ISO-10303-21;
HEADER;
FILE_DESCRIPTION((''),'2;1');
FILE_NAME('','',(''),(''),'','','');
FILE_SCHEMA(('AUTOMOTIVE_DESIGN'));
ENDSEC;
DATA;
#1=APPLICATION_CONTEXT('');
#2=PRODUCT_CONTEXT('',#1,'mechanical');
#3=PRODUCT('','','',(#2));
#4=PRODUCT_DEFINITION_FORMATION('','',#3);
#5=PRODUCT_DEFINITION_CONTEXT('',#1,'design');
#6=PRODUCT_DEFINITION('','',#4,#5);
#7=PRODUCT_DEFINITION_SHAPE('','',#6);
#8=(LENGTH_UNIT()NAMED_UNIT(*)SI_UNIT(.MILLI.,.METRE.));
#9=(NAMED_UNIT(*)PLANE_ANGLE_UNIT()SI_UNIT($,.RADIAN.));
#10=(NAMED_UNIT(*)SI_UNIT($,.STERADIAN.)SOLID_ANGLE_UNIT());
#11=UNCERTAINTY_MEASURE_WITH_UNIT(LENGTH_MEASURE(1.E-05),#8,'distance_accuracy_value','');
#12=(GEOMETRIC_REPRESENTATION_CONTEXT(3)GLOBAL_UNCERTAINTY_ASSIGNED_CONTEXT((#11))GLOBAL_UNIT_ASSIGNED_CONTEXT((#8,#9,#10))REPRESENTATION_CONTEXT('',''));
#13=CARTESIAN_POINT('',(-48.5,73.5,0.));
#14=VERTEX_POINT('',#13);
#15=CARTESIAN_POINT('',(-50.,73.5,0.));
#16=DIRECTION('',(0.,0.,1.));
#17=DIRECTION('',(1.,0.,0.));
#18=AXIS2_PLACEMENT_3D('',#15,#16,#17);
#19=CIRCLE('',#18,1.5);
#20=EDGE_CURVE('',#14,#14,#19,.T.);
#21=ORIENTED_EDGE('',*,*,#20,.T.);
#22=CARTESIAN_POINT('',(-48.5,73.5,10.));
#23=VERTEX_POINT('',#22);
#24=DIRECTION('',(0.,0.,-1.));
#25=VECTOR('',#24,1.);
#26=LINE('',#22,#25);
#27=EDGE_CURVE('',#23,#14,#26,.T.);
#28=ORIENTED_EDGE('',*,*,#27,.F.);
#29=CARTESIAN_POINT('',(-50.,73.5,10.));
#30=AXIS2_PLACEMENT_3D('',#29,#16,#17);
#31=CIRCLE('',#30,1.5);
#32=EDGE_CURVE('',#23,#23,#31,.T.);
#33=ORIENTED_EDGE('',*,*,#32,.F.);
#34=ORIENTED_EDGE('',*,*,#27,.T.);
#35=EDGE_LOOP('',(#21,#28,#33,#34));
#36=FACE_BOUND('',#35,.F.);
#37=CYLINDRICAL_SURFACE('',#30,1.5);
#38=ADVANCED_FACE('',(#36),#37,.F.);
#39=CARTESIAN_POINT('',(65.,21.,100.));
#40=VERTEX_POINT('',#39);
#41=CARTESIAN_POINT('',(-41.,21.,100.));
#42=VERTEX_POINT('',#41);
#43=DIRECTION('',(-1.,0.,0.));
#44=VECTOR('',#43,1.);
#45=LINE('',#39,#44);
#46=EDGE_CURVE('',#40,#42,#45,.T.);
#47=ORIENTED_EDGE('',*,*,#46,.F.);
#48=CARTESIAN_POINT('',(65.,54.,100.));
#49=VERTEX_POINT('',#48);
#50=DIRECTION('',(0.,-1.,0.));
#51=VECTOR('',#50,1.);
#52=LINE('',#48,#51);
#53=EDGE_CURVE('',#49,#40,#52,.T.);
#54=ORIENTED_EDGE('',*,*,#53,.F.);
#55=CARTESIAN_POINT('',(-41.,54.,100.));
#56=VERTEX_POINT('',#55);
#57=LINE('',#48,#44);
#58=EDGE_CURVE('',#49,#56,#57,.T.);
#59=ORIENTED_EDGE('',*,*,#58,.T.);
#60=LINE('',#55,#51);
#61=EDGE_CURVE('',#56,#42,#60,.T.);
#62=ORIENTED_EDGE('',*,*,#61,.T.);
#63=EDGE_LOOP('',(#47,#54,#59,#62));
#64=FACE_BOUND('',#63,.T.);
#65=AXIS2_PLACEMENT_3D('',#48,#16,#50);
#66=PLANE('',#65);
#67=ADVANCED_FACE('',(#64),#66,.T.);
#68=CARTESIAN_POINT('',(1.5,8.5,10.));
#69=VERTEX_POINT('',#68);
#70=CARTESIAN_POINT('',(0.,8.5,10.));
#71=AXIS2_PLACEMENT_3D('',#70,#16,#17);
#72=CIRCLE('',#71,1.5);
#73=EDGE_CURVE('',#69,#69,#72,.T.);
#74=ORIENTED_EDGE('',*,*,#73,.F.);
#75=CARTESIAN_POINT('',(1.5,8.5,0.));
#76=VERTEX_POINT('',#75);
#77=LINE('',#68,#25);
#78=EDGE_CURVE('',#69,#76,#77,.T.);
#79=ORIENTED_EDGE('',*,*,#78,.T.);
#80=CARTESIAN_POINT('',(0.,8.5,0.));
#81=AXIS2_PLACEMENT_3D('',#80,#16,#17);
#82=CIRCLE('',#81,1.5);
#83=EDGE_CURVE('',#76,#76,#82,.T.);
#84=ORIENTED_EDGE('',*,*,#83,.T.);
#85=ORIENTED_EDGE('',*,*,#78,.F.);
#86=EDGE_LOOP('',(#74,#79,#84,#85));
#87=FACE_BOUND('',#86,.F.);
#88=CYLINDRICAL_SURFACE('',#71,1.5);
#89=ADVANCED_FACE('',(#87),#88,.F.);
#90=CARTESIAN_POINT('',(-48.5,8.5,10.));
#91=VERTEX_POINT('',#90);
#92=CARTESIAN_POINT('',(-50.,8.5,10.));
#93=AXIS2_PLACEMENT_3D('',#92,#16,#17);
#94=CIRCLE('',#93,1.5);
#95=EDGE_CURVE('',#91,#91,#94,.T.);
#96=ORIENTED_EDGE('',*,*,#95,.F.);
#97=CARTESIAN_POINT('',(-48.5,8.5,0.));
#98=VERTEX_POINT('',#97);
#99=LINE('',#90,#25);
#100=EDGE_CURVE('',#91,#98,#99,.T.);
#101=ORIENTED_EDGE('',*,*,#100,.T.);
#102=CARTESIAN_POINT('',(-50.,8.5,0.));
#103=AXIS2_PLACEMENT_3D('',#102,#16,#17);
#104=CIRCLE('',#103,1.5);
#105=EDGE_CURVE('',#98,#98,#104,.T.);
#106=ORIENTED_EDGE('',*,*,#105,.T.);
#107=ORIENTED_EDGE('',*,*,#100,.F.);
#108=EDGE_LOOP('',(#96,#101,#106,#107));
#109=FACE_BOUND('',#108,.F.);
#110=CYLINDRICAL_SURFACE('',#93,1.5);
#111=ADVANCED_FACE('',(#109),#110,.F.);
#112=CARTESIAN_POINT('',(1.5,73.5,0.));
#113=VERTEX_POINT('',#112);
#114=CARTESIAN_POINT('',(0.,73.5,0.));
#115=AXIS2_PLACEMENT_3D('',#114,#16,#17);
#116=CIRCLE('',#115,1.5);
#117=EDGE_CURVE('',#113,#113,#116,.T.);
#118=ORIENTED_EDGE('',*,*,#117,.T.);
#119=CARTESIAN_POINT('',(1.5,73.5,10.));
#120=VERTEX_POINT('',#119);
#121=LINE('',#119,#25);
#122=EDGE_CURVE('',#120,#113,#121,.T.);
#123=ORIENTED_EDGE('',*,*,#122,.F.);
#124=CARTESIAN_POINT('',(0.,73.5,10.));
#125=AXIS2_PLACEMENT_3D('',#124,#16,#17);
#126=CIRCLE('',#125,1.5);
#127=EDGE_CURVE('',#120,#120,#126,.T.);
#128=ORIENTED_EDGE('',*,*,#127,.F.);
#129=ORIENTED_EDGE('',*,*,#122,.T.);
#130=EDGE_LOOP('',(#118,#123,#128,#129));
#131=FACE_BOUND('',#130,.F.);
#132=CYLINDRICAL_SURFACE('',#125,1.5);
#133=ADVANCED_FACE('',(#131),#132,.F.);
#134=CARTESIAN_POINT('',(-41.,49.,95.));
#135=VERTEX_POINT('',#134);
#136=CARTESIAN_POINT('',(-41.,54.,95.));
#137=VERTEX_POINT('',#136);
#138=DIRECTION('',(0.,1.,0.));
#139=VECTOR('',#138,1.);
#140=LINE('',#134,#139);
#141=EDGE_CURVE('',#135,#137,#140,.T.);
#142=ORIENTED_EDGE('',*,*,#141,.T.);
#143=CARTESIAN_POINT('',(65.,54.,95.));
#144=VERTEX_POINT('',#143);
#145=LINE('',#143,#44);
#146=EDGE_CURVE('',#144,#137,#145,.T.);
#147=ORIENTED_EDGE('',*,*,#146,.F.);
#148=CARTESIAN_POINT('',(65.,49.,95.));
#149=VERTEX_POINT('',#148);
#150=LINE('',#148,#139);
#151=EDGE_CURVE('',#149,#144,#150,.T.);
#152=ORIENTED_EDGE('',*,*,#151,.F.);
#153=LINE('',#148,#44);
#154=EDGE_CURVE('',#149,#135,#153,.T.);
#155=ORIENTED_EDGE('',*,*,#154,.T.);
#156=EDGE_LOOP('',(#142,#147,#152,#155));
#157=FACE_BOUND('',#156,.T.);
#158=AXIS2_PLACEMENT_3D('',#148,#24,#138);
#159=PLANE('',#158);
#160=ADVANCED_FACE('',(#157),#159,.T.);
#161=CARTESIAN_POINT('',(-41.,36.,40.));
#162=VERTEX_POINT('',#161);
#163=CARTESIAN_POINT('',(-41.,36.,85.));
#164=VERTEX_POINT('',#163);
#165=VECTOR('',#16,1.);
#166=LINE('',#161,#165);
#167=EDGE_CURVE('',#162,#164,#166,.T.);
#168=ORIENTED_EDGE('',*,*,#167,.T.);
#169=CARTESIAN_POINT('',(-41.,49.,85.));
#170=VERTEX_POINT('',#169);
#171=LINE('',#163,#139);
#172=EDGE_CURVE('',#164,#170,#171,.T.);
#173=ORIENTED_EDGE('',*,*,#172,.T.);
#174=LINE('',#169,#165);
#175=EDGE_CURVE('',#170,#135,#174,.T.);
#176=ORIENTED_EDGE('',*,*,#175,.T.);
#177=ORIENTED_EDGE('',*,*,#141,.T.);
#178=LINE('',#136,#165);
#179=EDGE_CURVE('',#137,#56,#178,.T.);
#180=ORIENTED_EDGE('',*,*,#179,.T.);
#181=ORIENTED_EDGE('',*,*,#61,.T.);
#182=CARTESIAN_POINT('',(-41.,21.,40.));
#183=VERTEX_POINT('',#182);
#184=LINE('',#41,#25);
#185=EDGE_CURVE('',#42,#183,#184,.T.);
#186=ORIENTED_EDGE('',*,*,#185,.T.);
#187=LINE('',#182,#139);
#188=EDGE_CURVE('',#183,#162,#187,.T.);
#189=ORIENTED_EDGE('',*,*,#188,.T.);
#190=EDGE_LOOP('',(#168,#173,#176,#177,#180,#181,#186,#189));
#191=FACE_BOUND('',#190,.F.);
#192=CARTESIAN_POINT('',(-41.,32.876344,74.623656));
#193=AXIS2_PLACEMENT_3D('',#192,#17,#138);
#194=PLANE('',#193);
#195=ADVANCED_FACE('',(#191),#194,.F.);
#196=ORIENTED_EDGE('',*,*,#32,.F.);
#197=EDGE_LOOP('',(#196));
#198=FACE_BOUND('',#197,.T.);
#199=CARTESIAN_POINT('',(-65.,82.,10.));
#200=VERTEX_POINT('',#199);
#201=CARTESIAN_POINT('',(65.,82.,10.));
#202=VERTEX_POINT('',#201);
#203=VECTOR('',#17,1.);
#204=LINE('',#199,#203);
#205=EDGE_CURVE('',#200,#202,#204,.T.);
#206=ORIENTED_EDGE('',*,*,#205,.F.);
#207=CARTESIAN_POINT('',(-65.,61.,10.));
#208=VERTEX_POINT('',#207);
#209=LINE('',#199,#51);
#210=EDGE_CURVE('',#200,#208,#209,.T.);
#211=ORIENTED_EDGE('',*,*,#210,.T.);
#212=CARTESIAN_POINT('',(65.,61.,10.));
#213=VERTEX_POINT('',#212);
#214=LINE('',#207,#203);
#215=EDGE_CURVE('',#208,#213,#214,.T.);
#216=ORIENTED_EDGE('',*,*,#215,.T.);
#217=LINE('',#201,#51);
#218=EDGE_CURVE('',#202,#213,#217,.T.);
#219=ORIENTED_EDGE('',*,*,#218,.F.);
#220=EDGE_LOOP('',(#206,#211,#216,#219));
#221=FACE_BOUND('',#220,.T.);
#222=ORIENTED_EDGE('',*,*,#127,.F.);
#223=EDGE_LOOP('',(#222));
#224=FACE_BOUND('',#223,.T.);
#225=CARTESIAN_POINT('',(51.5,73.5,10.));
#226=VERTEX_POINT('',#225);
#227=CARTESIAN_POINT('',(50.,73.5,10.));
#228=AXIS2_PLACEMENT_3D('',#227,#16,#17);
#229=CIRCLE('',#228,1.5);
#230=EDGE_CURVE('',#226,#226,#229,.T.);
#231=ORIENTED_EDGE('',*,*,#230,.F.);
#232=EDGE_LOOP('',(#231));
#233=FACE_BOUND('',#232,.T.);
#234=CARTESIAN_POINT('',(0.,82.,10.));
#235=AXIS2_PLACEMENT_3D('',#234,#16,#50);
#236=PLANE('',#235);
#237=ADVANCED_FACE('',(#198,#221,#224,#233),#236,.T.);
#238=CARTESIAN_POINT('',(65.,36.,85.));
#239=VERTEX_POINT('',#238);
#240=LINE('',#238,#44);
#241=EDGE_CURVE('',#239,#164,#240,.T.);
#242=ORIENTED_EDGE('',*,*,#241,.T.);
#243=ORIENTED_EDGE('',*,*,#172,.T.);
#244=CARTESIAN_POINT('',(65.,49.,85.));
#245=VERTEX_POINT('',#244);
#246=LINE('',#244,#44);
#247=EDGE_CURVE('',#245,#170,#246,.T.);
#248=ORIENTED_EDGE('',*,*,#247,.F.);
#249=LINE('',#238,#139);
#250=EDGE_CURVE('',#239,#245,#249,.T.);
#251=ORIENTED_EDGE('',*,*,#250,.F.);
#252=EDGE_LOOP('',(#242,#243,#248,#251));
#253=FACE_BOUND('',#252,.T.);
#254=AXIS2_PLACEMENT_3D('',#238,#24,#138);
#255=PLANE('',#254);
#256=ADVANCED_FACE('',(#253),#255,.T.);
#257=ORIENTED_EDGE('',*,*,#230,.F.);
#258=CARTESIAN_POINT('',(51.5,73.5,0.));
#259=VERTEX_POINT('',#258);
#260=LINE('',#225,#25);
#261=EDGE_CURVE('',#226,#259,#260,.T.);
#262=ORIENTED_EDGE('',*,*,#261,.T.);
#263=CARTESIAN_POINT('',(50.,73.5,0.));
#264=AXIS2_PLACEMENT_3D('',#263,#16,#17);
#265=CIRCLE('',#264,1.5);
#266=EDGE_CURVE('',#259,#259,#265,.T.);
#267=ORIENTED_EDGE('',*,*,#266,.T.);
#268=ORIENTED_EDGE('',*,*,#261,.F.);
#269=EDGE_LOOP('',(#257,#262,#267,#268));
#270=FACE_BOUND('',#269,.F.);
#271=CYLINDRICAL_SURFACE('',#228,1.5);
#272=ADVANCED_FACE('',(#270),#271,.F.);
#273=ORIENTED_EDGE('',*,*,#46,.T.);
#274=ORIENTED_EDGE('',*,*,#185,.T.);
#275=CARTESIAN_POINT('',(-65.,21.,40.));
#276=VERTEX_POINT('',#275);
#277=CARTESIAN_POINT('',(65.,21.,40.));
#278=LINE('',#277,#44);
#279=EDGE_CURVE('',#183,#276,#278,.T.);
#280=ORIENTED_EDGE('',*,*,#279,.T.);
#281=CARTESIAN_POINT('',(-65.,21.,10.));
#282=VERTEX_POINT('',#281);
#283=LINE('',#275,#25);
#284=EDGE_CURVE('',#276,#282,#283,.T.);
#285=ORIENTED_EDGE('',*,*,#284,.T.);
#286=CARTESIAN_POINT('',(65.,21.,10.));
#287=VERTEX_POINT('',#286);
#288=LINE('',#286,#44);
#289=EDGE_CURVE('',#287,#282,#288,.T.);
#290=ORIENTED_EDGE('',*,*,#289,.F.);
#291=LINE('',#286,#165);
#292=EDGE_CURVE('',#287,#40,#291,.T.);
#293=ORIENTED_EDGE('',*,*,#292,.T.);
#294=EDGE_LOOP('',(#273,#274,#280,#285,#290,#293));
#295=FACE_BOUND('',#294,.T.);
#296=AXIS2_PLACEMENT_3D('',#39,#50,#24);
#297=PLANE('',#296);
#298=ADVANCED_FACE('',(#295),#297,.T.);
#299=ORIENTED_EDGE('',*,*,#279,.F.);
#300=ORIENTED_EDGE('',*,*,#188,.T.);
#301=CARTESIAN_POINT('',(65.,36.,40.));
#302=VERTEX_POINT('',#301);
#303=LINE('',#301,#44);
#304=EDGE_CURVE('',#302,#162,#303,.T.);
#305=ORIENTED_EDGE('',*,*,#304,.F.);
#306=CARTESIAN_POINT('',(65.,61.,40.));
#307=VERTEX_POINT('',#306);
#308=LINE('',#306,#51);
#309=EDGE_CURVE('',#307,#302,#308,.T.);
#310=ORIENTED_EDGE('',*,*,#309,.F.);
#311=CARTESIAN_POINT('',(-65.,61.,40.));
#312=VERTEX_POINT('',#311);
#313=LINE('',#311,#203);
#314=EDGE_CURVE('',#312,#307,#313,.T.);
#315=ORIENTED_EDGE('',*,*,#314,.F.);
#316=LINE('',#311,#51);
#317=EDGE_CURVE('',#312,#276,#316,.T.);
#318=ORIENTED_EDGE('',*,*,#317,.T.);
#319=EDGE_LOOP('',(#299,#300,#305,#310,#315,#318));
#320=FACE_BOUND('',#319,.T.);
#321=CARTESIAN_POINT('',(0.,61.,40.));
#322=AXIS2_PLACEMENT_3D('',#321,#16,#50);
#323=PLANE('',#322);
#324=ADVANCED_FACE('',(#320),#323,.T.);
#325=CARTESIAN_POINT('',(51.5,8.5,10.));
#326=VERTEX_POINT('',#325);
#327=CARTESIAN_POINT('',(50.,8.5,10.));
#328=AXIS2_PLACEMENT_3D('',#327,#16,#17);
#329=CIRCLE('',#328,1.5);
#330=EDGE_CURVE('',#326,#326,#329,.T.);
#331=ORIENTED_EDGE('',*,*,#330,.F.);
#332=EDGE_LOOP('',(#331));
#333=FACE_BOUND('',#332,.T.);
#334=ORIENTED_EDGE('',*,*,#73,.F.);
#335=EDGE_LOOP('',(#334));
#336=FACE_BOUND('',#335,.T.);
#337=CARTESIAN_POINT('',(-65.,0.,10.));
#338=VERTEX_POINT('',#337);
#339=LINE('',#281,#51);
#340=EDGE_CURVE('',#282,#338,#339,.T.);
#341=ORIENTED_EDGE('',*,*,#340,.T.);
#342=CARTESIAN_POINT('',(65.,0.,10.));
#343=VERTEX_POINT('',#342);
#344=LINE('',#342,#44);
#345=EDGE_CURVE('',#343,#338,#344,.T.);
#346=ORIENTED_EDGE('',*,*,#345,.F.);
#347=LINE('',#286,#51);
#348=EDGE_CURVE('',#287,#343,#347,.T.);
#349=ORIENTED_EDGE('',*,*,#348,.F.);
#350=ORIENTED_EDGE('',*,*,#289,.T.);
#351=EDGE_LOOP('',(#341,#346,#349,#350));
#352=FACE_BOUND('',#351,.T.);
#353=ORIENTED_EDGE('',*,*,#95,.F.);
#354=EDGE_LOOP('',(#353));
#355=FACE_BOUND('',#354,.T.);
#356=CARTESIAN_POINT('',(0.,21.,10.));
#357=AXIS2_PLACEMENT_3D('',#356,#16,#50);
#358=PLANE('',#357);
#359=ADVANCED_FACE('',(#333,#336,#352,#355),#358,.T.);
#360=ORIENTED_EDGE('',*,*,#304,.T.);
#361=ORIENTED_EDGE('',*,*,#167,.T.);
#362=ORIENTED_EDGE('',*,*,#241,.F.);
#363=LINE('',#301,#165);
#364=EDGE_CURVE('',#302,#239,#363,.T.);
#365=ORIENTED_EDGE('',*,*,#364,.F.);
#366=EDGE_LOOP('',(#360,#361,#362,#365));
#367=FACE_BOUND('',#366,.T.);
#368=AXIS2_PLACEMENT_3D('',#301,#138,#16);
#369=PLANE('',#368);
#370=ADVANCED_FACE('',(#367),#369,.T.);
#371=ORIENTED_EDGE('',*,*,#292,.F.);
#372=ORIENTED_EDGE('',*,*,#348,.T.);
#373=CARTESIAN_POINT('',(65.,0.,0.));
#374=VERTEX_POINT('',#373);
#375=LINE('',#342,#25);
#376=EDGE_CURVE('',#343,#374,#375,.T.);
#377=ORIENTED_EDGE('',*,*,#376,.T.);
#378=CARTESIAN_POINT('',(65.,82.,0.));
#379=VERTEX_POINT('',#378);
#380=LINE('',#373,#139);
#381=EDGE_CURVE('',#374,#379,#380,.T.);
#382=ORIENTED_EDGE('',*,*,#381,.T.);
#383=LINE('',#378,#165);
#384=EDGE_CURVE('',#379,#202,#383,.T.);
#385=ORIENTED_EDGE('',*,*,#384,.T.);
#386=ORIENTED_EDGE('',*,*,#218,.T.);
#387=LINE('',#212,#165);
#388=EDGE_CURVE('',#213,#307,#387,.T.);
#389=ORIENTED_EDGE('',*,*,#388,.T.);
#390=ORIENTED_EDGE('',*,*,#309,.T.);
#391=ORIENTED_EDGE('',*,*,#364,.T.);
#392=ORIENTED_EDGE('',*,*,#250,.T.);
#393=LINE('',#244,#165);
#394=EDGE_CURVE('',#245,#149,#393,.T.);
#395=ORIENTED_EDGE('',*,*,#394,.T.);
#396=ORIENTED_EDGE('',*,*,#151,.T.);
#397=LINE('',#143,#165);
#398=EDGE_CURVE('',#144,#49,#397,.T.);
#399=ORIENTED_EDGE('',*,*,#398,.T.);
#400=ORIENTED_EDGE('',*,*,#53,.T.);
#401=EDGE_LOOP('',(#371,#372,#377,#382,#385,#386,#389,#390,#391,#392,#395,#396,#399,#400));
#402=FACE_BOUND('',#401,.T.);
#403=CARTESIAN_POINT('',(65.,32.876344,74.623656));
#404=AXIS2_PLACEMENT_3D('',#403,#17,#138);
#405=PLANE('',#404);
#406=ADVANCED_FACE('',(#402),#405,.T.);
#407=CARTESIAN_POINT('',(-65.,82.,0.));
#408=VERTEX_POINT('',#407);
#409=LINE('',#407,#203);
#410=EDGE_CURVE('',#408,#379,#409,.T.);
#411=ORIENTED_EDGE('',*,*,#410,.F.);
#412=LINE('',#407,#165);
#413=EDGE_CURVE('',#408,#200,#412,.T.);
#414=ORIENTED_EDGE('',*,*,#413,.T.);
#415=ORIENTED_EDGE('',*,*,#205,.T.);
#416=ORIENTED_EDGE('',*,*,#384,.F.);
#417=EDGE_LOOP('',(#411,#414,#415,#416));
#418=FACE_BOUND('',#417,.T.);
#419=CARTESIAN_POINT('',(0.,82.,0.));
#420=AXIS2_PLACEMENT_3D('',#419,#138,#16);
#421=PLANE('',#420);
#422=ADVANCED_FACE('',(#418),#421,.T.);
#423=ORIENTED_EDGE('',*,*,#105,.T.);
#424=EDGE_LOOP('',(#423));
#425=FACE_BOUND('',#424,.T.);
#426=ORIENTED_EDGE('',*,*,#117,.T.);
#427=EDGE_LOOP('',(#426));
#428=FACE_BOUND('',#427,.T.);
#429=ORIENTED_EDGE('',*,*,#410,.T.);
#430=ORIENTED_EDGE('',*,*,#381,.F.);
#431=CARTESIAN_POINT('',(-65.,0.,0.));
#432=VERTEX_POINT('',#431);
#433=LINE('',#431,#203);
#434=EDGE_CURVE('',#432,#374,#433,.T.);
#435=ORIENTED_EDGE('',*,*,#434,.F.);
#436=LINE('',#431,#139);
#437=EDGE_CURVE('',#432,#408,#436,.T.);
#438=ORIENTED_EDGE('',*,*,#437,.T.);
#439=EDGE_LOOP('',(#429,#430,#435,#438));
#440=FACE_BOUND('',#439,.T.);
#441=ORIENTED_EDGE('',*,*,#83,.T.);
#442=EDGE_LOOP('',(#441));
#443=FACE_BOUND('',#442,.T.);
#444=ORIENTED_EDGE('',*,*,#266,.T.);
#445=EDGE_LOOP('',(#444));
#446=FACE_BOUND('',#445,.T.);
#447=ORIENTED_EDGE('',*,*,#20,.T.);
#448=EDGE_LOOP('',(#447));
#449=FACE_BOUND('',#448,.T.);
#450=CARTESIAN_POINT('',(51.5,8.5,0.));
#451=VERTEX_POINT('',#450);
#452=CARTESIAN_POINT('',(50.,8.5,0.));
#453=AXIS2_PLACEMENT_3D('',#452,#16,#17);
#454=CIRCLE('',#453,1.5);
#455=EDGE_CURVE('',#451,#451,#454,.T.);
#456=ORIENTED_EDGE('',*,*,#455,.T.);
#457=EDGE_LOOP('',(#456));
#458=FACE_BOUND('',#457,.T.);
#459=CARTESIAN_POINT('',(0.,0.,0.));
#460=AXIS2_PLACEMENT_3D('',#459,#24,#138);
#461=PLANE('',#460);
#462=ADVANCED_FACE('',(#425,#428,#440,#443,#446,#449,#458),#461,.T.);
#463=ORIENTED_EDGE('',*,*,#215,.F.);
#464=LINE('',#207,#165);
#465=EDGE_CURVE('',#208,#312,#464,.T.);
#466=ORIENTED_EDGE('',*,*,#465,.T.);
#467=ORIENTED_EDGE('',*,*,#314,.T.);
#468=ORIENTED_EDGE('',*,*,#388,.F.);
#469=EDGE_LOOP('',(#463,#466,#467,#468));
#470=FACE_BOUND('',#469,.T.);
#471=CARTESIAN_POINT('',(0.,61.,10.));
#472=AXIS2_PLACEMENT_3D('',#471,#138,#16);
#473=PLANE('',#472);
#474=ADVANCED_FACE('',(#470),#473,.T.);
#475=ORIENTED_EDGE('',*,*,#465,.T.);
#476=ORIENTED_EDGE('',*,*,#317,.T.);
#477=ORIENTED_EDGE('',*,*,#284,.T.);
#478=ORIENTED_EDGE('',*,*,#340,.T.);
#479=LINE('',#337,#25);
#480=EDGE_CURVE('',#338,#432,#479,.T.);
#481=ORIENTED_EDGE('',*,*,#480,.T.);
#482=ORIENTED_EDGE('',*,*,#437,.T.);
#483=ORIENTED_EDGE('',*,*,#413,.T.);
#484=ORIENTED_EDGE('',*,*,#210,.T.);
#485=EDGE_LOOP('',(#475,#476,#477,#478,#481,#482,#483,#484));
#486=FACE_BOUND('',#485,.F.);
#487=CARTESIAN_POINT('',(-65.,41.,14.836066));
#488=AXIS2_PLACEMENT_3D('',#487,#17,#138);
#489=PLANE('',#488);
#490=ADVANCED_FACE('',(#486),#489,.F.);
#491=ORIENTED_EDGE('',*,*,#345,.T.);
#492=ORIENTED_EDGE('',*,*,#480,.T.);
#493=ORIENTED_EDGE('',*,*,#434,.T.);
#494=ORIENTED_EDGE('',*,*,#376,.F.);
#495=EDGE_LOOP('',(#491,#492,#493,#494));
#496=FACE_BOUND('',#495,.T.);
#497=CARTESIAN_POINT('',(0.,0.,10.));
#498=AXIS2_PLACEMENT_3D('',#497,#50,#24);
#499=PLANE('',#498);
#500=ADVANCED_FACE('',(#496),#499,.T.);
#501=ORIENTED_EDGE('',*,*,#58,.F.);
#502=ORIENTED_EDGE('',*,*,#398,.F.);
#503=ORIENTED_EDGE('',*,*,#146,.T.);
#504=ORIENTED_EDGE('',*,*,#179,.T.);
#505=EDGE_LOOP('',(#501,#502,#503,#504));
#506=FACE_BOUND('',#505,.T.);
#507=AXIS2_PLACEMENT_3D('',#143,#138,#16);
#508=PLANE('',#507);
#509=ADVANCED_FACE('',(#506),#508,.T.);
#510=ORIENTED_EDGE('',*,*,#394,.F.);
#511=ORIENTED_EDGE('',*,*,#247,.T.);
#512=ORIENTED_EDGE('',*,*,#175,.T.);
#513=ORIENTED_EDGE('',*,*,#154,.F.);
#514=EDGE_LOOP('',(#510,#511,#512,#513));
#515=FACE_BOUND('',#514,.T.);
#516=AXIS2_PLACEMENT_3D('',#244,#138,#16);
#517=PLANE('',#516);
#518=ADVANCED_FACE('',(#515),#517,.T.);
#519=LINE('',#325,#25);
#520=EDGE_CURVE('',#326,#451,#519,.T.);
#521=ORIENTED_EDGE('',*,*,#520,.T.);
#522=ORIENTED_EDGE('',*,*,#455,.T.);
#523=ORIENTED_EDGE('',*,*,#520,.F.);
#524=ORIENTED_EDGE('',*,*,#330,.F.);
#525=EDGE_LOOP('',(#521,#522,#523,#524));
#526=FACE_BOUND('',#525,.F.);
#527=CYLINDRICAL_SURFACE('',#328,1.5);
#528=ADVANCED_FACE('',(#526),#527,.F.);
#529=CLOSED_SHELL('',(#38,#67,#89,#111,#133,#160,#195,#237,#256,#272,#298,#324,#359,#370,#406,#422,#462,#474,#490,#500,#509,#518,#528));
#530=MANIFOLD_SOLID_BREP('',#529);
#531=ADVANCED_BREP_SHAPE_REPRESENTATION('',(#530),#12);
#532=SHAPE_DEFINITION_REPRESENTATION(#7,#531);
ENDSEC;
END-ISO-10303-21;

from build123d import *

# Parameters (mm, degrees)
F1_DEPTH      = 65
F1_DEPTH_BACK = 65
F3_DEPTH      = 106
F4_R          = 1.5
F5_DEPTH      = 10


with BuildPart() as f1:
    # F0 (on Right) → F1 (new body, two sides)
    with BuildSketch(Plane.YZ) as f1_sk:
        Polygon((0, 10), (0, 0), (82, 0), (82, 10), (61, 10), (61, 40), (21, 40), (21, 10), align=None)
    extrude(amount=F1_DEPTH)
    extrude(f1_sk.sketch, amount=-F1_DEPTH_BACK)

    # F2 (on face) → F3 (join)
    with BuildSketch(Plane.YZ.offset(65)):
        Polygon((21, 100), (21, 40), (36, 40), (36, 85), (49, 85), (49, 95), (54, 95), (54, 100), align=None)
    extrude(amount=-F3_DEPTH)

    # F4 (on face) → F5 (cut)
    with BuildSketch(Plane.XY.offset(10)):
        with Locations((-50, 73.5)):
            Circle(F4_R)
        with Locations((0, 73.5)):
            Circle(F4_R)
        with Locations((50, 73.5)):
            Circle(F4_R)
        with Locations((50, 8.5)):
            Circle(F4_R)
        with Locations((0, 8.5)):
            Circle(F4_R)
        with Locations((-50, 8.5)):
            Circle(F4_R)
    extrude(amount=-F5_DEPTH, mode=Mode.SUBTRACT)


solid = f1.part
